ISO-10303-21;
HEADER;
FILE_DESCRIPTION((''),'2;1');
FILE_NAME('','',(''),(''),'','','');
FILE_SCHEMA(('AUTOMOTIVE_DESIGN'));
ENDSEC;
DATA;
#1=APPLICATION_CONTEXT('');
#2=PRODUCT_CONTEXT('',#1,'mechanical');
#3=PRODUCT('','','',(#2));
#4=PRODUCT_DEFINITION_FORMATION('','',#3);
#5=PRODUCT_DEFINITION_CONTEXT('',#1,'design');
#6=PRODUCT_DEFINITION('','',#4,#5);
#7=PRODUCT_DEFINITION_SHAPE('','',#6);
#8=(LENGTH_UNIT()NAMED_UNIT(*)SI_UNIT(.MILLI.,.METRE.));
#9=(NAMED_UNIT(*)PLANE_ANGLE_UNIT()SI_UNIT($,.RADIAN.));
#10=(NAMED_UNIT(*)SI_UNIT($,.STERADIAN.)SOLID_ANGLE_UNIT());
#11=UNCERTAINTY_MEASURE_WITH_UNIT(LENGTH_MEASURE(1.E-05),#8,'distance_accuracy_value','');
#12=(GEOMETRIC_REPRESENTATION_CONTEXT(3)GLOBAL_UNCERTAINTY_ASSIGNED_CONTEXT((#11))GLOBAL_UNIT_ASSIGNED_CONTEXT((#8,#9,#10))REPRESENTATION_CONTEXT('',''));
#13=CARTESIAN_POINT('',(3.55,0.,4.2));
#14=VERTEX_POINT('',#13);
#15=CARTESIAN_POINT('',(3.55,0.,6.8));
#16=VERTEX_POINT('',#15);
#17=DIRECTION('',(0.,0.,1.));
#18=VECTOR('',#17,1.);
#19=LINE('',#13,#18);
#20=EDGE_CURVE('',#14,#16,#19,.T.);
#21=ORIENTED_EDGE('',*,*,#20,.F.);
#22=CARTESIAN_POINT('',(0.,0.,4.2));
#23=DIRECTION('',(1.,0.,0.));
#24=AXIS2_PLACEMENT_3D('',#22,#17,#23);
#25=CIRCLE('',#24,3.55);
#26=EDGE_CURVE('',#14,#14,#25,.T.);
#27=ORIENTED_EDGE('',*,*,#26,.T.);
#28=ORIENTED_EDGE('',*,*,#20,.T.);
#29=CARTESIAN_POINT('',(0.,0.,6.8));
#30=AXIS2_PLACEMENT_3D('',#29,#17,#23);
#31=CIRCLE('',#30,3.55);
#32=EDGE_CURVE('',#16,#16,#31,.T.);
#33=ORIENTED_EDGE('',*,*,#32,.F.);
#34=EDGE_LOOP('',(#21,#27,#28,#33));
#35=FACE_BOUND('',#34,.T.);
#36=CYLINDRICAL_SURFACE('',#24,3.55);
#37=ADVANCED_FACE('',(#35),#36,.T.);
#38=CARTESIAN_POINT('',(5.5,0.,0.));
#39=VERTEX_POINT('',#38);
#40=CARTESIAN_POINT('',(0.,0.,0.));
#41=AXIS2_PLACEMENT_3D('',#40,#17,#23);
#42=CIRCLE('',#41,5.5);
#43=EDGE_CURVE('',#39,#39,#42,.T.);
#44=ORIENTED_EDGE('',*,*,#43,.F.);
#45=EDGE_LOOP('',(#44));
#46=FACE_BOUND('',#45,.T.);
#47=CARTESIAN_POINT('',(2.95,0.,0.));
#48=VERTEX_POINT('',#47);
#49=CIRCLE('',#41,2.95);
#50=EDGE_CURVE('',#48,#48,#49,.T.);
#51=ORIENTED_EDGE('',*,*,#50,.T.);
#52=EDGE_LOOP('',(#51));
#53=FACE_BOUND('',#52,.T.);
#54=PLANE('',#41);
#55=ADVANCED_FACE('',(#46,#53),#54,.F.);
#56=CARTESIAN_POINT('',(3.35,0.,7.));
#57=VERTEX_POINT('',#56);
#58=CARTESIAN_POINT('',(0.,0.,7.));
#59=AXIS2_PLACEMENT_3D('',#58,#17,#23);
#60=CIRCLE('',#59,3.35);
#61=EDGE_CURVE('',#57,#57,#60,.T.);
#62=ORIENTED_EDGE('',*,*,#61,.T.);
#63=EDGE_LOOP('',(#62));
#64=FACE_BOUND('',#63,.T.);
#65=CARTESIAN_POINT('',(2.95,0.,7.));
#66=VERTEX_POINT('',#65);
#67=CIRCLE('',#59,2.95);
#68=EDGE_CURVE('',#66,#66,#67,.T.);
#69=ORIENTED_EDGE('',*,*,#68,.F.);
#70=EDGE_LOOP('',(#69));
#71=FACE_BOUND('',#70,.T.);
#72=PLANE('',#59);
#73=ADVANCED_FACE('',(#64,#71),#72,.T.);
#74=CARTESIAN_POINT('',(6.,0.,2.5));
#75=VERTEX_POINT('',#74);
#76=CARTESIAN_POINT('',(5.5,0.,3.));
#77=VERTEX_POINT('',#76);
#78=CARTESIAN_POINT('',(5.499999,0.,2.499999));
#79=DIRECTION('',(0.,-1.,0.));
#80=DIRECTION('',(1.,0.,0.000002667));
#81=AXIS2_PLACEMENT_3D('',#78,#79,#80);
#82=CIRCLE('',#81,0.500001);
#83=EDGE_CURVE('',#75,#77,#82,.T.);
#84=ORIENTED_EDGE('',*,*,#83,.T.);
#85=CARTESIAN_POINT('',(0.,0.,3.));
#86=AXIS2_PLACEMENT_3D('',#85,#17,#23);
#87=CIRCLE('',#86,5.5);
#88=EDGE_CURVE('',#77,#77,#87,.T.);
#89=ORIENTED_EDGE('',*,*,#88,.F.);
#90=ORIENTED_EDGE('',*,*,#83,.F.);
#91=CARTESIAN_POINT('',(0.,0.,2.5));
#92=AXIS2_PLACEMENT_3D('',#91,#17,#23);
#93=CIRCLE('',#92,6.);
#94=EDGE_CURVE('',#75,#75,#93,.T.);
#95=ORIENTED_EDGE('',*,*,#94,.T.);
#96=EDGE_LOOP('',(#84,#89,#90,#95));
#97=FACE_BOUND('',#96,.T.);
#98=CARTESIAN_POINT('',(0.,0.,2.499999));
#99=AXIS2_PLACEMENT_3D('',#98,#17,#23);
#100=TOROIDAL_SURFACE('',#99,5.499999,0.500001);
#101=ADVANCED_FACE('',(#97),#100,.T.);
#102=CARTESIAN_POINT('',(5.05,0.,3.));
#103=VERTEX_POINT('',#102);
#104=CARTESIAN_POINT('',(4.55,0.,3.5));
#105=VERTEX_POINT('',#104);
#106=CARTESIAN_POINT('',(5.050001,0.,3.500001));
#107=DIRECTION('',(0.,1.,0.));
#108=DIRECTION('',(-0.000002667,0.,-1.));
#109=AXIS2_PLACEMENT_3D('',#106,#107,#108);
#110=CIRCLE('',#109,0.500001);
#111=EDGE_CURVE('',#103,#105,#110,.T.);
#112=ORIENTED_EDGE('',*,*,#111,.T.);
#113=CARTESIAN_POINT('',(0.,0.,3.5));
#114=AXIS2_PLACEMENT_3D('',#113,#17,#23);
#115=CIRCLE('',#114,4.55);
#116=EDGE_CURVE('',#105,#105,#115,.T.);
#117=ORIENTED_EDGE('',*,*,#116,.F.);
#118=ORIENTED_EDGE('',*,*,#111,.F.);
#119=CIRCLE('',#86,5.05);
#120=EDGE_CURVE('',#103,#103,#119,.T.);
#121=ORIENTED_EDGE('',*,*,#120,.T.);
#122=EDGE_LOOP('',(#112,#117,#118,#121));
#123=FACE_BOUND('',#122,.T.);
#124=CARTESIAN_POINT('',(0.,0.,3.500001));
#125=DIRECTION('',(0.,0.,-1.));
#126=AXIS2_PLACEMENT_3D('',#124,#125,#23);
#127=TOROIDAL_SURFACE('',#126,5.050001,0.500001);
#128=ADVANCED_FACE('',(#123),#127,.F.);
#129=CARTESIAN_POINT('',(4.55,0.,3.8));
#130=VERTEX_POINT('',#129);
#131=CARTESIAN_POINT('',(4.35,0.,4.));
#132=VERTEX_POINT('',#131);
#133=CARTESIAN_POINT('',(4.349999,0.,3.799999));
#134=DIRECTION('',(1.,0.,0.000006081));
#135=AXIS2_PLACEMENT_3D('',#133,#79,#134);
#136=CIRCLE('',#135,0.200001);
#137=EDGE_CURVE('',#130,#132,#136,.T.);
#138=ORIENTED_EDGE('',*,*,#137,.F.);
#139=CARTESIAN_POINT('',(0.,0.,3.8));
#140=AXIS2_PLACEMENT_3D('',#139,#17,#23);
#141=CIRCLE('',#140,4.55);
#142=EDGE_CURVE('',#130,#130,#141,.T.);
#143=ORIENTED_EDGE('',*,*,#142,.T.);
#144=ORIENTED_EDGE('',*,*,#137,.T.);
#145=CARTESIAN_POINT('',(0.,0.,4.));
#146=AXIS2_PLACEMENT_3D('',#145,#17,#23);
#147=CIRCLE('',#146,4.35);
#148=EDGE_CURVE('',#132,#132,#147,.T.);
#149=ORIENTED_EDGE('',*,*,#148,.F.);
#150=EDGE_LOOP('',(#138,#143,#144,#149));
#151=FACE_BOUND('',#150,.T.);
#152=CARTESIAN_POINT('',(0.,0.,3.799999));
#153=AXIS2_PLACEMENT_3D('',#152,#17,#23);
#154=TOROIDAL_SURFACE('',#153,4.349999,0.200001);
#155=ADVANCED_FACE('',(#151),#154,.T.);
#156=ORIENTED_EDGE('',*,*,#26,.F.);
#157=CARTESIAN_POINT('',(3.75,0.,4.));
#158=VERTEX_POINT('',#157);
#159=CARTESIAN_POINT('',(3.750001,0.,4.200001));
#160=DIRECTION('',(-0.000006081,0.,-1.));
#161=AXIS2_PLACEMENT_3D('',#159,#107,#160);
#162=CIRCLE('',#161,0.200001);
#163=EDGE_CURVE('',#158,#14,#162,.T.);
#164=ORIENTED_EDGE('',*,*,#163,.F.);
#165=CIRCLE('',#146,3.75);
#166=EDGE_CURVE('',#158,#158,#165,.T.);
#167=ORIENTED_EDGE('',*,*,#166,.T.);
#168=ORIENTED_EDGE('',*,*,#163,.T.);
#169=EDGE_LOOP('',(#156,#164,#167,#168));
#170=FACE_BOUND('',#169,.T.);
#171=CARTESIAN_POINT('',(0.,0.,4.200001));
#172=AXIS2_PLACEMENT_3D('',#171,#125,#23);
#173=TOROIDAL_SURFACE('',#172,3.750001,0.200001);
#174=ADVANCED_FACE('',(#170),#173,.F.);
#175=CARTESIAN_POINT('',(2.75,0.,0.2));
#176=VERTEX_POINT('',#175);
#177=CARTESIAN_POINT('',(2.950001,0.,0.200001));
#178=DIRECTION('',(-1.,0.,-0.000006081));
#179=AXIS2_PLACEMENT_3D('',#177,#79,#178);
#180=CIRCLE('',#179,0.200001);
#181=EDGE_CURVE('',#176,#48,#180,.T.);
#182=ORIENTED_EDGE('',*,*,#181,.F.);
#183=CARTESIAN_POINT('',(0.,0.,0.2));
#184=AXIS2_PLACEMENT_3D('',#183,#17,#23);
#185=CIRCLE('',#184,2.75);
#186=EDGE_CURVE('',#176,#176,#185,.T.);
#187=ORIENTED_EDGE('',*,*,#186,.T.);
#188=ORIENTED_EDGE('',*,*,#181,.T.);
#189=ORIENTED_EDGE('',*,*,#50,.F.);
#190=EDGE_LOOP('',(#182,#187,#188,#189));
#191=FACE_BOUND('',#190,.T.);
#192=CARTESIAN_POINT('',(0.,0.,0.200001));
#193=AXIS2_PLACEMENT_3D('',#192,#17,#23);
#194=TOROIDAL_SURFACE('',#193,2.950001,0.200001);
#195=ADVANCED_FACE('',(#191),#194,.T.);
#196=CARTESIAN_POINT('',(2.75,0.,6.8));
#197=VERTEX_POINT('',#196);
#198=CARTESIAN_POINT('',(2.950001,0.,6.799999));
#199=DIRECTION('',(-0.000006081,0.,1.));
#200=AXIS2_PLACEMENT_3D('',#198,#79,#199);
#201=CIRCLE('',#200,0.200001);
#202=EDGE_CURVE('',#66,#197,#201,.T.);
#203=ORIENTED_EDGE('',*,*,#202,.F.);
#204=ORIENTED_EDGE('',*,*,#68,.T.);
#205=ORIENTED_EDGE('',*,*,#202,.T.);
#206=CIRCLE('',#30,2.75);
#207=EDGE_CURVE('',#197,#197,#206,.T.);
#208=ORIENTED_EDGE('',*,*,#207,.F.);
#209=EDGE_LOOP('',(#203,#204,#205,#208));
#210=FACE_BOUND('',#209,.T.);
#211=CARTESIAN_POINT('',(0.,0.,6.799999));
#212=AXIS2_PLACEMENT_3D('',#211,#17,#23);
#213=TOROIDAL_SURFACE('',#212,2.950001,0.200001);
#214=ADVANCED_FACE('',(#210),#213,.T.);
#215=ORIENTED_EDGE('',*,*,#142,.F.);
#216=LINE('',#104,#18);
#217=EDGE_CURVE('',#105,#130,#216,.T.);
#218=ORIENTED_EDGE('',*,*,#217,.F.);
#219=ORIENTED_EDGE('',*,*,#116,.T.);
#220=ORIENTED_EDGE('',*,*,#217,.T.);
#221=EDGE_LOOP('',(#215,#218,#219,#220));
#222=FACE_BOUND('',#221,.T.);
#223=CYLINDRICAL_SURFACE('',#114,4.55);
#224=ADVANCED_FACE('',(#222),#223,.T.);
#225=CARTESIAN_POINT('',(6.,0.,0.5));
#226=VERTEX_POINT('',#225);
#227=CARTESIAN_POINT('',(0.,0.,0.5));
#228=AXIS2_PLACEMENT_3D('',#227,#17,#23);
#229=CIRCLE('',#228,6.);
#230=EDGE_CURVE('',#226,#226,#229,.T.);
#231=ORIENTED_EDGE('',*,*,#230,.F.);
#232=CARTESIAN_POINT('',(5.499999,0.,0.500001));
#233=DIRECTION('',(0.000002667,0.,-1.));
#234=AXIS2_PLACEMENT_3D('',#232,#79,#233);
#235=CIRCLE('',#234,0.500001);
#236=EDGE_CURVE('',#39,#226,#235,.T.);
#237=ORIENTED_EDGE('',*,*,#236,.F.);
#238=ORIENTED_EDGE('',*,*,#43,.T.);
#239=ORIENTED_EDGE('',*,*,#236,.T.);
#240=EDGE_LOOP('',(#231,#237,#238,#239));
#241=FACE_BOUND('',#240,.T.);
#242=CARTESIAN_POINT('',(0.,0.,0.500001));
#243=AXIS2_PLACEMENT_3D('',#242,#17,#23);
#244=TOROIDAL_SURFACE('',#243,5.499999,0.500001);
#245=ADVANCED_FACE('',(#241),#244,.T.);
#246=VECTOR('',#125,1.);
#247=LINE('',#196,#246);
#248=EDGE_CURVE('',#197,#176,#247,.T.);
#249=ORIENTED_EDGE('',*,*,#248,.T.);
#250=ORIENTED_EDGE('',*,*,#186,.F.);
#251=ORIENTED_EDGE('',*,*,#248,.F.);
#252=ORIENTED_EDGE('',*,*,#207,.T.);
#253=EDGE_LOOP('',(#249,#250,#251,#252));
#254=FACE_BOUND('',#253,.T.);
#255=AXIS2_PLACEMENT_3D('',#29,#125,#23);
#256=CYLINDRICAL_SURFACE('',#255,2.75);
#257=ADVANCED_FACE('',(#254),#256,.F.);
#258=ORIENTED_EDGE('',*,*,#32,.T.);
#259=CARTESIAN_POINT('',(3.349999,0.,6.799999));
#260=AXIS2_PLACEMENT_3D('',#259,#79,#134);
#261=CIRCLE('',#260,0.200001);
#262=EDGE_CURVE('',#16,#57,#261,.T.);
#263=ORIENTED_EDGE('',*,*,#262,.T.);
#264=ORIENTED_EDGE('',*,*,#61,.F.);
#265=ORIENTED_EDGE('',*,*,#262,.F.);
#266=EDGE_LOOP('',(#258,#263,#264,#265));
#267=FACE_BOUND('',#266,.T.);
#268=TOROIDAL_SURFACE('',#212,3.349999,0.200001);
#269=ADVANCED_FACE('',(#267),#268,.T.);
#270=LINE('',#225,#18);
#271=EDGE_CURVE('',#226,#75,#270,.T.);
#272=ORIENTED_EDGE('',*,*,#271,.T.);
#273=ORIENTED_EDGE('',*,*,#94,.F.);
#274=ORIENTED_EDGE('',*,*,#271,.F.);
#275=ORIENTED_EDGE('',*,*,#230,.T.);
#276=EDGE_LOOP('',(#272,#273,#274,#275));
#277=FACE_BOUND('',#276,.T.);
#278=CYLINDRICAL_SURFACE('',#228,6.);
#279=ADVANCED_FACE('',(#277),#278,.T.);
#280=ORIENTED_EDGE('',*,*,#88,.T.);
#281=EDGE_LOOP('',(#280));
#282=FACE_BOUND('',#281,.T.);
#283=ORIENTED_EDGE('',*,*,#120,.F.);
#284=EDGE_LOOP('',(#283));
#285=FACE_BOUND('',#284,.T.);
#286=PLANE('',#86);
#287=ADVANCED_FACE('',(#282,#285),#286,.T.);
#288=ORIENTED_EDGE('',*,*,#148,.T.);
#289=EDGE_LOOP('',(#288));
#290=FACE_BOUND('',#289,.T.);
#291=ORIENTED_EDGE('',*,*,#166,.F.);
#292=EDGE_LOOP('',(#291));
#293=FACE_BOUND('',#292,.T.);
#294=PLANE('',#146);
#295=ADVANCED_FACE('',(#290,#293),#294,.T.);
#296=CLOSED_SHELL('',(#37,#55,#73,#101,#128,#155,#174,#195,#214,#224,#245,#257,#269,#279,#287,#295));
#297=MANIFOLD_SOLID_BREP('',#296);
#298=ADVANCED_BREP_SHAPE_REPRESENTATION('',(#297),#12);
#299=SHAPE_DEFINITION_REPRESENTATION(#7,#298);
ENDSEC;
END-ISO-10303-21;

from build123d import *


with BuildPart() as f1:
    # F0 (on Front) → F1 (revolve)
    with BuildSketch(Plane.XZ):
        with BuildLine():
            Line((2.95, 0), (5.5, 0))
            ThreePointArc((5.5, 0), (5.853553, 0.146447), (6, 0.5))
            Line((6, 0.5), (6, 2.5))
            ThreePointArc((6, 2.5), (5.853553, 2.853553), (5.5, 3))
            Line((5.5, 3), (5.05, 3))
            ThreePointArc((5.05, 3), (4.696447, 3.146447), (4.55, 3.5))
            Line((4.55, 3.5), (4.55, 3.8))
            ThreePointArc((4.55, 3.8), (4.491421, 3.941421), (4.35, 4))
            Line((4.35, 4), (3.75, 4))
            ThreePointArc((3.75, 4), (3.608579, 4.058579), (3.55, 4.2))
            Line((3.55, 4.2), (3.55, 6.8))
            ThreePointArc((3.55, 6.8), (3.491421, 6.941421), (3.35, 7))
            Line((3.35, 7), (2.95, 7))
            ThreePointArc((2.95, 7), (2.808579, 6.941421), (2.75, 6.8))
            Line((2.75, 6.8), (2.75, 0.2))
            ThreePointArc((2.75, 0.2), (2.808579, 0.058579), (2.95, 0))
        make_face()
    revolve(axis=Axis((0, 0, 7.476741), (0, 0, 1)))


solid = f1.part
